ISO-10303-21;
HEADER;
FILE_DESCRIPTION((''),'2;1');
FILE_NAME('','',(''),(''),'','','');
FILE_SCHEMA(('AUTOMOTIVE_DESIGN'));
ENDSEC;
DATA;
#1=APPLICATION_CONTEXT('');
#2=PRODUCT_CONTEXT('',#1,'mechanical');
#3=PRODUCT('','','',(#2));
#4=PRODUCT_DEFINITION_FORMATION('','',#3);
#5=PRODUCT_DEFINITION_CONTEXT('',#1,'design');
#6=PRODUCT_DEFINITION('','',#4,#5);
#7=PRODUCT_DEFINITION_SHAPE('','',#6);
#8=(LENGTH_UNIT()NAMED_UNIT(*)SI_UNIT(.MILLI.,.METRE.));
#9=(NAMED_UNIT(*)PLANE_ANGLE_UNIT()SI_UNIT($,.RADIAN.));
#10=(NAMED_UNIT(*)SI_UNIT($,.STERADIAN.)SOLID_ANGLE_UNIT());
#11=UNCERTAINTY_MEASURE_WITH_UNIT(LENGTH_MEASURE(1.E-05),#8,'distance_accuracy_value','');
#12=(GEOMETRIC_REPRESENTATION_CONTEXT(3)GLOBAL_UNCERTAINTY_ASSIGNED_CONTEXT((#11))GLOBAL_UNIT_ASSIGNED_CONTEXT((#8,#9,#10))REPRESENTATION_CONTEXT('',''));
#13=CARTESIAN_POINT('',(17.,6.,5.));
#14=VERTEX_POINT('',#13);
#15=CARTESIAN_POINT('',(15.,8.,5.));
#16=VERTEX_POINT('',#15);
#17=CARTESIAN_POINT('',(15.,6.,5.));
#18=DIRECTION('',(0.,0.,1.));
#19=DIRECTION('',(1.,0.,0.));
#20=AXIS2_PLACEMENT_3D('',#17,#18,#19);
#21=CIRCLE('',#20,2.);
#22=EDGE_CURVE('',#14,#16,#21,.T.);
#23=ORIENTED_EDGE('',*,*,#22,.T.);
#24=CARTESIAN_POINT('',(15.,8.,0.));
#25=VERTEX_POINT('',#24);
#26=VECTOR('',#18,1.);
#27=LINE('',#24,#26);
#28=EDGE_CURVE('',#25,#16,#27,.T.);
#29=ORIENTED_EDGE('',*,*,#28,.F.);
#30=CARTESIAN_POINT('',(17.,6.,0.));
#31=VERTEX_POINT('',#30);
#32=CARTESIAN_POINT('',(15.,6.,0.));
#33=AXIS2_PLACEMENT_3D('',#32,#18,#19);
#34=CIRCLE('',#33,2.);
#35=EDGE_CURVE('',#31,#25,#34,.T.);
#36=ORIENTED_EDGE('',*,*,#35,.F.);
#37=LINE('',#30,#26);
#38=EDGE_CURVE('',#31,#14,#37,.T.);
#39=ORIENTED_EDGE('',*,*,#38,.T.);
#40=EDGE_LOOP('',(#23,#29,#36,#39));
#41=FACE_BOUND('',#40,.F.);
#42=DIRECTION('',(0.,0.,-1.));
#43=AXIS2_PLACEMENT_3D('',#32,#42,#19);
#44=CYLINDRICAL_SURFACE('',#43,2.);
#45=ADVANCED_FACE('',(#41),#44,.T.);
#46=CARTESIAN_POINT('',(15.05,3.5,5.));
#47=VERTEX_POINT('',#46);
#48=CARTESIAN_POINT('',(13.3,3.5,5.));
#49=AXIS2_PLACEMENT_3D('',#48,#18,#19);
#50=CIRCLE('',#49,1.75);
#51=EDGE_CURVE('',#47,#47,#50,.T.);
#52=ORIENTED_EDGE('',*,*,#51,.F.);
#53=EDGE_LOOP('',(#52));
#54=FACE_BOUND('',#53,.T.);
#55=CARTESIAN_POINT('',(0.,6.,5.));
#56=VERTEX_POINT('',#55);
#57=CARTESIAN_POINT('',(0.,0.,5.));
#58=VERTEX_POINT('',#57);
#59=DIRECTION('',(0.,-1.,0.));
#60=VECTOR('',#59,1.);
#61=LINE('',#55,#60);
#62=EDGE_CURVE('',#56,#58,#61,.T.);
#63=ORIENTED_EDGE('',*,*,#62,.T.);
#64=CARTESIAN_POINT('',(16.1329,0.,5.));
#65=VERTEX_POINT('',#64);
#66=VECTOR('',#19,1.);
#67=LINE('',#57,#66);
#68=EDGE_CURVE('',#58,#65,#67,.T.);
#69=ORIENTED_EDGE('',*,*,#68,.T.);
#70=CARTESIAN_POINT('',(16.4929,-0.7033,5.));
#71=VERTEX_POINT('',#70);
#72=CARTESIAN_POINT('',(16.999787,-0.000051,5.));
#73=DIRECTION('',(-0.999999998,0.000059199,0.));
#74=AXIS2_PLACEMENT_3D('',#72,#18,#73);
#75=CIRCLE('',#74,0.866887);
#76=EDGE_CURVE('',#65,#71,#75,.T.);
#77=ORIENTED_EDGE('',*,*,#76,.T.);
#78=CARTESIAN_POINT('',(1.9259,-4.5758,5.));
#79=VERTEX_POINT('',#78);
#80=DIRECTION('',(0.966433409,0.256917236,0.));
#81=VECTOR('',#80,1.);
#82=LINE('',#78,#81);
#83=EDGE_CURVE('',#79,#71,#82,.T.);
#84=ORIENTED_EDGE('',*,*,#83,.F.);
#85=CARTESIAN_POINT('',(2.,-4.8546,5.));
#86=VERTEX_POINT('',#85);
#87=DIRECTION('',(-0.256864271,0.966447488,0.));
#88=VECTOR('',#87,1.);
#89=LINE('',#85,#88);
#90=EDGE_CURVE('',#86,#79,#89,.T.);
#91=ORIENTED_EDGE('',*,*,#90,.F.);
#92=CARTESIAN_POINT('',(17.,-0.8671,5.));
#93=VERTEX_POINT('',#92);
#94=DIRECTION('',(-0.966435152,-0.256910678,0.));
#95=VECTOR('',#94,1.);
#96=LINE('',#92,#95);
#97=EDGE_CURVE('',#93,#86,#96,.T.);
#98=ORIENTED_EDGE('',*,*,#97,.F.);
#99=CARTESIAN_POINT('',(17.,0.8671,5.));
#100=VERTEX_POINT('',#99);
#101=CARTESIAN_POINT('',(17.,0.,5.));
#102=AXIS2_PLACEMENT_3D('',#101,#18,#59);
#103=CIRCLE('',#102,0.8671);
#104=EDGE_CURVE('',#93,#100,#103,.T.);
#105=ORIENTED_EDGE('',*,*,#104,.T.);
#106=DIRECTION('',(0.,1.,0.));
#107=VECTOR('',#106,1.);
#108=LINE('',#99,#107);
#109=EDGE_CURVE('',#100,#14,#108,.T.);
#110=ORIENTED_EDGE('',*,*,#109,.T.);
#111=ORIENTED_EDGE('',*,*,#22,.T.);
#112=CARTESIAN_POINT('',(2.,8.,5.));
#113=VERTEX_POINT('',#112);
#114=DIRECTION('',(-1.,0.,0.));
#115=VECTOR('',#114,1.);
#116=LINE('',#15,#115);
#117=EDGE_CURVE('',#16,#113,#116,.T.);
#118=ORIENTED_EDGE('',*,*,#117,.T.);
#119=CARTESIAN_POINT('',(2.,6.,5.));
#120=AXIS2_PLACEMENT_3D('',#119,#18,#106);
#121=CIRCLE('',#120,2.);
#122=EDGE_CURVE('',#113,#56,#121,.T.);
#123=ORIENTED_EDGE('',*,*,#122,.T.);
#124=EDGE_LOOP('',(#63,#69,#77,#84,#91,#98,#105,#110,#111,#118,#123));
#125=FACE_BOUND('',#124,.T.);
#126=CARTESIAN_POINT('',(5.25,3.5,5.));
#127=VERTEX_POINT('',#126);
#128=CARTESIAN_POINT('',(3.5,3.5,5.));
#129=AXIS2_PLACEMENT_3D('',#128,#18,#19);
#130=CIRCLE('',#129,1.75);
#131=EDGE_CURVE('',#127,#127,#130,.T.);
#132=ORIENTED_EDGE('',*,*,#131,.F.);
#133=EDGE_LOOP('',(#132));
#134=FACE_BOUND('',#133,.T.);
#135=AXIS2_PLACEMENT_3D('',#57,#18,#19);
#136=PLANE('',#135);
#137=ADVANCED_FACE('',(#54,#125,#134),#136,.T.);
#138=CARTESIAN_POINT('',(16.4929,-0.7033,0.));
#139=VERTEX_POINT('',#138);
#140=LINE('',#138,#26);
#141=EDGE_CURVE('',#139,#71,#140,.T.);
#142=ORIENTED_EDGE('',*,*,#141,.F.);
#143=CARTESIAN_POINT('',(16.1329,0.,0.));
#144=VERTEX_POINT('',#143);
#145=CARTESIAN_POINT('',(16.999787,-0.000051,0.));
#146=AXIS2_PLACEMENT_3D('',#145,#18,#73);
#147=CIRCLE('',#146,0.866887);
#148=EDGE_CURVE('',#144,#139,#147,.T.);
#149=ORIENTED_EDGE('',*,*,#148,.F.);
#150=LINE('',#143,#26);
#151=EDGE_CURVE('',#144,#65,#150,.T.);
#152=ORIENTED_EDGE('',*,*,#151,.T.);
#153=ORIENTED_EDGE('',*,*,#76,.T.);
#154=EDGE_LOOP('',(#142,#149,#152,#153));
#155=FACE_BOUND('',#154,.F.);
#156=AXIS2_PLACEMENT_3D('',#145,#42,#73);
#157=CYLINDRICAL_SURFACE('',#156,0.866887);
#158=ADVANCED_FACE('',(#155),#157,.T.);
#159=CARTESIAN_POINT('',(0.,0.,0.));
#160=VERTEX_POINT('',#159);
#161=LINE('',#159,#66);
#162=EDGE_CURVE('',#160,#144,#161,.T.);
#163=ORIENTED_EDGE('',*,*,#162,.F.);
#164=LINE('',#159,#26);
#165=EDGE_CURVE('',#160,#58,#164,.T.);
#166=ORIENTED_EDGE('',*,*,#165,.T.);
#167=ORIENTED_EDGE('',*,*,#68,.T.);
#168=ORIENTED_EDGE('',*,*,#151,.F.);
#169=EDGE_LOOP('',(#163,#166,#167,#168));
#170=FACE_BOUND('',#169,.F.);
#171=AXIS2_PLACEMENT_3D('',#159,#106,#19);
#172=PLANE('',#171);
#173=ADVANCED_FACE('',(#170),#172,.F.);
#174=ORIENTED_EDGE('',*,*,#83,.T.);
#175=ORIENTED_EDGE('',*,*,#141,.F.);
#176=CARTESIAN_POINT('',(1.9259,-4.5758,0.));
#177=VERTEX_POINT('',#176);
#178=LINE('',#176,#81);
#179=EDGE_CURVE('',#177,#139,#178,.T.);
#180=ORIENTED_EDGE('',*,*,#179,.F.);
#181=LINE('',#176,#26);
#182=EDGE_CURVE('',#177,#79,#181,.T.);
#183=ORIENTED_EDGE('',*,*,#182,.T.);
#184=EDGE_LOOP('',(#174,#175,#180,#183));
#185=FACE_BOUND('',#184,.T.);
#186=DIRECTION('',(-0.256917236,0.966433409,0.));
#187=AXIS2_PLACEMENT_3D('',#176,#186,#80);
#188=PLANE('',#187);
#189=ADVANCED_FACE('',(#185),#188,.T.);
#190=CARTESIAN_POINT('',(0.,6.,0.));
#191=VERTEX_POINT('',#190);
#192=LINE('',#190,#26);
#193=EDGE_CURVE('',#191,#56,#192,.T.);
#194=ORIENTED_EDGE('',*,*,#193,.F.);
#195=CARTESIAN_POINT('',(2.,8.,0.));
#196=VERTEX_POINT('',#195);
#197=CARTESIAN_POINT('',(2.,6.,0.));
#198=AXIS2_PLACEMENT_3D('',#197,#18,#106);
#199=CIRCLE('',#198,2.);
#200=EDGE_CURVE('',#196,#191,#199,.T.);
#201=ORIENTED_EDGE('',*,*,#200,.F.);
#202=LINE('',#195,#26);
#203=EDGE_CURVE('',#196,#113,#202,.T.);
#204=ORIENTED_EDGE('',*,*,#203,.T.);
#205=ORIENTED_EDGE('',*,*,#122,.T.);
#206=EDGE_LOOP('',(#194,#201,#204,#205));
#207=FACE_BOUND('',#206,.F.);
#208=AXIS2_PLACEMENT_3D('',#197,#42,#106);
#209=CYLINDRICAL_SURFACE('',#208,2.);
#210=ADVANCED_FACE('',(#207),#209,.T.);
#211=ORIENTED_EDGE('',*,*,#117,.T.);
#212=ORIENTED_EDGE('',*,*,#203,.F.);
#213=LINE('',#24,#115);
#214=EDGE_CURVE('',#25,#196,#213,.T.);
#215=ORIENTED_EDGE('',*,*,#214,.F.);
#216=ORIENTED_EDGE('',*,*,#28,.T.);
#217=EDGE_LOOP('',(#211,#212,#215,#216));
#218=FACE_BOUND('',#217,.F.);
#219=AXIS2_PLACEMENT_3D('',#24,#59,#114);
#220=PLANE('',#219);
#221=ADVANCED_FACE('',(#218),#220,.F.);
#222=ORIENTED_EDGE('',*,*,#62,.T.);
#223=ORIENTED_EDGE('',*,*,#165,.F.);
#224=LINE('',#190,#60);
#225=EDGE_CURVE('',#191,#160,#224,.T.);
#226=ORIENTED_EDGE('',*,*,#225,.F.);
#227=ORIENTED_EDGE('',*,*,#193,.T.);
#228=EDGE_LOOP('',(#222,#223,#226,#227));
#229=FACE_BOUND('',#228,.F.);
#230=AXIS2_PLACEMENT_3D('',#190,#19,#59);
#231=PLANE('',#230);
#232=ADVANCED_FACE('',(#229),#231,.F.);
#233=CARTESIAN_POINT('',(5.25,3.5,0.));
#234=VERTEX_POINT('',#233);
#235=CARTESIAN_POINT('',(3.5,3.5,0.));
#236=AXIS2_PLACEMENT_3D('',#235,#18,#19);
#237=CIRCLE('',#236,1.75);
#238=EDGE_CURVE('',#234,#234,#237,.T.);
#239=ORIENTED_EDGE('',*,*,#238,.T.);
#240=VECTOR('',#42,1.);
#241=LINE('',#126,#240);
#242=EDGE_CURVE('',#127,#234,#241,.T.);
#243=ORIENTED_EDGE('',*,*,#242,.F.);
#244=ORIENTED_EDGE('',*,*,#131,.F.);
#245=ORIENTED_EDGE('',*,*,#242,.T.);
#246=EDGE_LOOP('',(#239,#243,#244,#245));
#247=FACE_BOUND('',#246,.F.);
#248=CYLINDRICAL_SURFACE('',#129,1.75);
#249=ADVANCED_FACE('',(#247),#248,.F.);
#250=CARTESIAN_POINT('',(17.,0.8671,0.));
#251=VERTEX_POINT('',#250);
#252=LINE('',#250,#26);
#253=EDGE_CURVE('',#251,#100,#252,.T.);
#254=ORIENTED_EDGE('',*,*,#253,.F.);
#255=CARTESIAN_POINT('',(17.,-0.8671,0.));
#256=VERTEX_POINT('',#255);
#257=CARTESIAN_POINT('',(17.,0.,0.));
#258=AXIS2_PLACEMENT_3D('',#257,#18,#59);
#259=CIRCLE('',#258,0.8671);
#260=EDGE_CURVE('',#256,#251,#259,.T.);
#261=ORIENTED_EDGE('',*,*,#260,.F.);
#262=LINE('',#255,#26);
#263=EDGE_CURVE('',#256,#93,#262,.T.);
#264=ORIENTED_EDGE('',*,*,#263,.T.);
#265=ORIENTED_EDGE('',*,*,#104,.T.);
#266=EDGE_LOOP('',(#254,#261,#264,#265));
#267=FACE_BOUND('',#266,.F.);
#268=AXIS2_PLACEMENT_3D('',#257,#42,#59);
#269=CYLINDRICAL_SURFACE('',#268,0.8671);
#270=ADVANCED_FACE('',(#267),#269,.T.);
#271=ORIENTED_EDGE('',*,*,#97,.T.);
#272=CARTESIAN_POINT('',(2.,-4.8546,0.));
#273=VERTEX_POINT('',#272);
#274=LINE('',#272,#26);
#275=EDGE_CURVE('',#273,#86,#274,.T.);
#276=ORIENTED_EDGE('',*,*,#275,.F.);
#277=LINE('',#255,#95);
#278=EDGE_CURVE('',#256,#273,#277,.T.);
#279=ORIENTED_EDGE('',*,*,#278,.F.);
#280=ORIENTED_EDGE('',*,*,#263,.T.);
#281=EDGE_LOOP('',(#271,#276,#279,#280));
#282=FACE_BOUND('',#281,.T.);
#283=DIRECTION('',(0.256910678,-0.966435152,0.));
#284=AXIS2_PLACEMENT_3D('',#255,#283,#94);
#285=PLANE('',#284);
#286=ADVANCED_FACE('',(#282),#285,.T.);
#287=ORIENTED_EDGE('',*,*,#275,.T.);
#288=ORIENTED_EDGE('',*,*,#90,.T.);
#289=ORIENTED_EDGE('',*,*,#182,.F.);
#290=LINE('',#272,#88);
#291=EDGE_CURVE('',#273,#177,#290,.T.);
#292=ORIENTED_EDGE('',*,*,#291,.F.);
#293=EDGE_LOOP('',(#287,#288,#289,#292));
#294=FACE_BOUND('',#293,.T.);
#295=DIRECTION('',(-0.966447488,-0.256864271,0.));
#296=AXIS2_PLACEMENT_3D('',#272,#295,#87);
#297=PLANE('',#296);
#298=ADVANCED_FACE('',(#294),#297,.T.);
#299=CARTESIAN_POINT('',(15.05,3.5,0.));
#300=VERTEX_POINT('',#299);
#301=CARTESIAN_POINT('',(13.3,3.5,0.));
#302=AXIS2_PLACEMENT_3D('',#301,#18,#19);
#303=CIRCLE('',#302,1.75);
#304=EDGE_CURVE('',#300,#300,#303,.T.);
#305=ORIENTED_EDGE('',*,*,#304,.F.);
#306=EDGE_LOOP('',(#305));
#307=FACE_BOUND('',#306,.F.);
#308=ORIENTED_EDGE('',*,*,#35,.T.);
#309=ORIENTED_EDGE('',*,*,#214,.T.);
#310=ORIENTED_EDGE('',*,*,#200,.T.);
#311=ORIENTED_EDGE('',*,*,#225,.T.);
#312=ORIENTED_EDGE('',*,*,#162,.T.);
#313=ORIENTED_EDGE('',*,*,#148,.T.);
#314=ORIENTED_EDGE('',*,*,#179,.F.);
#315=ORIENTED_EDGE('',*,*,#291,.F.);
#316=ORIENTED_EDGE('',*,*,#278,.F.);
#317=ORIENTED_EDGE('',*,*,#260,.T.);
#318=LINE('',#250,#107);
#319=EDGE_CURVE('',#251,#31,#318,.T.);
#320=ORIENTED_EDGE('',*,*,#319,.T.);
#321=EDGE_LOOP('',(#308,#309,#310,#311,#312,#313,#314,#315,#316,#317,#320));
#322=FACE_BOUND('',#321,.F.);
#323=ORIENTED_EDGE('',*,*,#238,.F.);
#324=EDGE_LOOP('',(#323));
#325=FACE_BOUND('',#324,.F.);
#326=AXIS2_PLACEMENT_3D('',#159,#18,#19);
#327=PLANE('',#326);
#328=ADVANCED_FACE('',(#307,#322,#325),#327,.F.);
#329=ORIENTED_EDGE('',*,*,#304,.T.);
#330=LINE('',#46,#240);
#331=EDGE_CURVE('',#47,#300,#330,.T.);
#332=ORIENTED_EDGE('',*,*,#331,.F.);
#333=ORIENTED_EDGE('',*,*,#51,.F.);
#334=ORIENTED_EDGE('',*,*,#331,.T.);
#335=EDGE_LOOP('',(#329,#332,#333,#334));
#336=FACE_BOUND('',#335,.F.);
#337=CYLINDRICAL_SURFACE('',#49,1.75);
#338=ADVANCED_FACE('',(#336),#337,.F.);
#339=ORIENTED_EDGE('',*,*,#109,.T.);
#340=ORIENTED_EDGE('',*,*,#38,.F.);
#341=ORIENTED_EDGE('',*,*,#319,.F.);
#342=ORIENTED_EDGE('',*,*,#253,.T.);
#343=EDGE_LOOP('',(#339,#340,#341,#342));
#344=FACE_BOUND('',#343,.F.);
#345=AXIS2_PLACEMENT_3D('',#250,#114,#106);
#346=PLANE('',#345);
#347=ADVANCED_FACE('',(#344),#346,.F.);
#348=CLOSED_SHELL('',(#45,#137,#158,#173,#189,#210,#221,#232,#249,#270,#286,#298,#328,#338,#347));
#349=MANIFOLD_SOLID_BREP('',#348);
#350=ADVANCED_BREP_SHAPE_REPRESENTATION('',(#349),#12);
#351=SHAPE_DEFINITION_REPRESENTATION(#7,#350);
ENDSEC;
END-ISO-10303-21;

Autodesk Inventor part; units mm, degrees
ref_plane "YZ Plane" through (0, 0, 0) normal (1, 0, 0) x (0, 1, 0)
ref_plane "XZ Plane" through (0, 0, 0) normal (0, 1, 0) x (-1, 0, 0)
ref_plane "XY Plane" through (0, 0, 0) normal (0, 0, 1) x (1, 0, 0)
sketch "Sketch1" plane through (0, 0, 0) normal (0, 0, 1) x (1, 0, 0)
  line L0 (0, 0) -> (17, 0)
  line L1 (17, 0.8671) -> (17, 6)
  line L2 (15, 8) -> (2, 8)
  line L3 (0, 6) -> (0, 0)
  line L4 (17, -0.8671) -> (2, -4.8546)
  line L5 (2, -4.8546) -> (1.9259, -4.5758)
  line L6 (1.9259, -4.5758) -> (16.4929, -0.7033)
  arc A0 (17, -0.8671) -> (17, 0.8671) centre (17, 0) ccw
  arc A1 (16.1329, 0) -> (16.4929, -0.7033) centre (17, 0) ccw
  arc A2 (2, 8) -> (0, 6) centre (2, 6) ccw
  arc A3 (17, 6) -> (15, 8) centre (15, 6) ccw
  point P0 (17, 8)
  point P1 (0, 8)
  dimension "d0" = 17
  dimension "d1" = 8
  dimension "d9" = 2
extrude "Extrusion1" add sketch "Sketch1" along normal blind 5
sketch "Sketch2" plane through (0, 0, 5) normal (0, 0, 1) x (1, 0, 0)
  circle A0 centre (3.5, 3.5) radius 1.75
  circle A1 centre (13.3, 3.5) radius 1.75
  line L0 (0, 0) -> (16.1329, 0) projected
  line L1 (0, 6) -> (0, 0) projected
  dimension "d4" = 3.5
  dimension "d5" = 3.5
  dimension "d6" = 9.8
  dimension "d10" = 3.5
  dimension "d11" = 3.5
  dimension "d12" = 3.5
extrude "Extrusion2" cut sketch "Sketch2" against normal blind 5
equation "\"BendRadius\" = Thickness"
equation "\"BendReliefWidth\" = Thickness"
equation "\"BendReliefDepth\" = 0.5 * Thickness"
equation "\"CornerReliefSize\" = 4 * Thickness"
equation "\"MinimumRemnant\" = 2 * Thickness"
equation "\"TransitionRadius\" = BendRadius"
equation "\"JacobiRadiusSize\" = BendRadius"
equation "\"GapSize\" = Thickness"
equation "\"Thickness\" = 0.5"
properties part number "công tắc hành trình"
